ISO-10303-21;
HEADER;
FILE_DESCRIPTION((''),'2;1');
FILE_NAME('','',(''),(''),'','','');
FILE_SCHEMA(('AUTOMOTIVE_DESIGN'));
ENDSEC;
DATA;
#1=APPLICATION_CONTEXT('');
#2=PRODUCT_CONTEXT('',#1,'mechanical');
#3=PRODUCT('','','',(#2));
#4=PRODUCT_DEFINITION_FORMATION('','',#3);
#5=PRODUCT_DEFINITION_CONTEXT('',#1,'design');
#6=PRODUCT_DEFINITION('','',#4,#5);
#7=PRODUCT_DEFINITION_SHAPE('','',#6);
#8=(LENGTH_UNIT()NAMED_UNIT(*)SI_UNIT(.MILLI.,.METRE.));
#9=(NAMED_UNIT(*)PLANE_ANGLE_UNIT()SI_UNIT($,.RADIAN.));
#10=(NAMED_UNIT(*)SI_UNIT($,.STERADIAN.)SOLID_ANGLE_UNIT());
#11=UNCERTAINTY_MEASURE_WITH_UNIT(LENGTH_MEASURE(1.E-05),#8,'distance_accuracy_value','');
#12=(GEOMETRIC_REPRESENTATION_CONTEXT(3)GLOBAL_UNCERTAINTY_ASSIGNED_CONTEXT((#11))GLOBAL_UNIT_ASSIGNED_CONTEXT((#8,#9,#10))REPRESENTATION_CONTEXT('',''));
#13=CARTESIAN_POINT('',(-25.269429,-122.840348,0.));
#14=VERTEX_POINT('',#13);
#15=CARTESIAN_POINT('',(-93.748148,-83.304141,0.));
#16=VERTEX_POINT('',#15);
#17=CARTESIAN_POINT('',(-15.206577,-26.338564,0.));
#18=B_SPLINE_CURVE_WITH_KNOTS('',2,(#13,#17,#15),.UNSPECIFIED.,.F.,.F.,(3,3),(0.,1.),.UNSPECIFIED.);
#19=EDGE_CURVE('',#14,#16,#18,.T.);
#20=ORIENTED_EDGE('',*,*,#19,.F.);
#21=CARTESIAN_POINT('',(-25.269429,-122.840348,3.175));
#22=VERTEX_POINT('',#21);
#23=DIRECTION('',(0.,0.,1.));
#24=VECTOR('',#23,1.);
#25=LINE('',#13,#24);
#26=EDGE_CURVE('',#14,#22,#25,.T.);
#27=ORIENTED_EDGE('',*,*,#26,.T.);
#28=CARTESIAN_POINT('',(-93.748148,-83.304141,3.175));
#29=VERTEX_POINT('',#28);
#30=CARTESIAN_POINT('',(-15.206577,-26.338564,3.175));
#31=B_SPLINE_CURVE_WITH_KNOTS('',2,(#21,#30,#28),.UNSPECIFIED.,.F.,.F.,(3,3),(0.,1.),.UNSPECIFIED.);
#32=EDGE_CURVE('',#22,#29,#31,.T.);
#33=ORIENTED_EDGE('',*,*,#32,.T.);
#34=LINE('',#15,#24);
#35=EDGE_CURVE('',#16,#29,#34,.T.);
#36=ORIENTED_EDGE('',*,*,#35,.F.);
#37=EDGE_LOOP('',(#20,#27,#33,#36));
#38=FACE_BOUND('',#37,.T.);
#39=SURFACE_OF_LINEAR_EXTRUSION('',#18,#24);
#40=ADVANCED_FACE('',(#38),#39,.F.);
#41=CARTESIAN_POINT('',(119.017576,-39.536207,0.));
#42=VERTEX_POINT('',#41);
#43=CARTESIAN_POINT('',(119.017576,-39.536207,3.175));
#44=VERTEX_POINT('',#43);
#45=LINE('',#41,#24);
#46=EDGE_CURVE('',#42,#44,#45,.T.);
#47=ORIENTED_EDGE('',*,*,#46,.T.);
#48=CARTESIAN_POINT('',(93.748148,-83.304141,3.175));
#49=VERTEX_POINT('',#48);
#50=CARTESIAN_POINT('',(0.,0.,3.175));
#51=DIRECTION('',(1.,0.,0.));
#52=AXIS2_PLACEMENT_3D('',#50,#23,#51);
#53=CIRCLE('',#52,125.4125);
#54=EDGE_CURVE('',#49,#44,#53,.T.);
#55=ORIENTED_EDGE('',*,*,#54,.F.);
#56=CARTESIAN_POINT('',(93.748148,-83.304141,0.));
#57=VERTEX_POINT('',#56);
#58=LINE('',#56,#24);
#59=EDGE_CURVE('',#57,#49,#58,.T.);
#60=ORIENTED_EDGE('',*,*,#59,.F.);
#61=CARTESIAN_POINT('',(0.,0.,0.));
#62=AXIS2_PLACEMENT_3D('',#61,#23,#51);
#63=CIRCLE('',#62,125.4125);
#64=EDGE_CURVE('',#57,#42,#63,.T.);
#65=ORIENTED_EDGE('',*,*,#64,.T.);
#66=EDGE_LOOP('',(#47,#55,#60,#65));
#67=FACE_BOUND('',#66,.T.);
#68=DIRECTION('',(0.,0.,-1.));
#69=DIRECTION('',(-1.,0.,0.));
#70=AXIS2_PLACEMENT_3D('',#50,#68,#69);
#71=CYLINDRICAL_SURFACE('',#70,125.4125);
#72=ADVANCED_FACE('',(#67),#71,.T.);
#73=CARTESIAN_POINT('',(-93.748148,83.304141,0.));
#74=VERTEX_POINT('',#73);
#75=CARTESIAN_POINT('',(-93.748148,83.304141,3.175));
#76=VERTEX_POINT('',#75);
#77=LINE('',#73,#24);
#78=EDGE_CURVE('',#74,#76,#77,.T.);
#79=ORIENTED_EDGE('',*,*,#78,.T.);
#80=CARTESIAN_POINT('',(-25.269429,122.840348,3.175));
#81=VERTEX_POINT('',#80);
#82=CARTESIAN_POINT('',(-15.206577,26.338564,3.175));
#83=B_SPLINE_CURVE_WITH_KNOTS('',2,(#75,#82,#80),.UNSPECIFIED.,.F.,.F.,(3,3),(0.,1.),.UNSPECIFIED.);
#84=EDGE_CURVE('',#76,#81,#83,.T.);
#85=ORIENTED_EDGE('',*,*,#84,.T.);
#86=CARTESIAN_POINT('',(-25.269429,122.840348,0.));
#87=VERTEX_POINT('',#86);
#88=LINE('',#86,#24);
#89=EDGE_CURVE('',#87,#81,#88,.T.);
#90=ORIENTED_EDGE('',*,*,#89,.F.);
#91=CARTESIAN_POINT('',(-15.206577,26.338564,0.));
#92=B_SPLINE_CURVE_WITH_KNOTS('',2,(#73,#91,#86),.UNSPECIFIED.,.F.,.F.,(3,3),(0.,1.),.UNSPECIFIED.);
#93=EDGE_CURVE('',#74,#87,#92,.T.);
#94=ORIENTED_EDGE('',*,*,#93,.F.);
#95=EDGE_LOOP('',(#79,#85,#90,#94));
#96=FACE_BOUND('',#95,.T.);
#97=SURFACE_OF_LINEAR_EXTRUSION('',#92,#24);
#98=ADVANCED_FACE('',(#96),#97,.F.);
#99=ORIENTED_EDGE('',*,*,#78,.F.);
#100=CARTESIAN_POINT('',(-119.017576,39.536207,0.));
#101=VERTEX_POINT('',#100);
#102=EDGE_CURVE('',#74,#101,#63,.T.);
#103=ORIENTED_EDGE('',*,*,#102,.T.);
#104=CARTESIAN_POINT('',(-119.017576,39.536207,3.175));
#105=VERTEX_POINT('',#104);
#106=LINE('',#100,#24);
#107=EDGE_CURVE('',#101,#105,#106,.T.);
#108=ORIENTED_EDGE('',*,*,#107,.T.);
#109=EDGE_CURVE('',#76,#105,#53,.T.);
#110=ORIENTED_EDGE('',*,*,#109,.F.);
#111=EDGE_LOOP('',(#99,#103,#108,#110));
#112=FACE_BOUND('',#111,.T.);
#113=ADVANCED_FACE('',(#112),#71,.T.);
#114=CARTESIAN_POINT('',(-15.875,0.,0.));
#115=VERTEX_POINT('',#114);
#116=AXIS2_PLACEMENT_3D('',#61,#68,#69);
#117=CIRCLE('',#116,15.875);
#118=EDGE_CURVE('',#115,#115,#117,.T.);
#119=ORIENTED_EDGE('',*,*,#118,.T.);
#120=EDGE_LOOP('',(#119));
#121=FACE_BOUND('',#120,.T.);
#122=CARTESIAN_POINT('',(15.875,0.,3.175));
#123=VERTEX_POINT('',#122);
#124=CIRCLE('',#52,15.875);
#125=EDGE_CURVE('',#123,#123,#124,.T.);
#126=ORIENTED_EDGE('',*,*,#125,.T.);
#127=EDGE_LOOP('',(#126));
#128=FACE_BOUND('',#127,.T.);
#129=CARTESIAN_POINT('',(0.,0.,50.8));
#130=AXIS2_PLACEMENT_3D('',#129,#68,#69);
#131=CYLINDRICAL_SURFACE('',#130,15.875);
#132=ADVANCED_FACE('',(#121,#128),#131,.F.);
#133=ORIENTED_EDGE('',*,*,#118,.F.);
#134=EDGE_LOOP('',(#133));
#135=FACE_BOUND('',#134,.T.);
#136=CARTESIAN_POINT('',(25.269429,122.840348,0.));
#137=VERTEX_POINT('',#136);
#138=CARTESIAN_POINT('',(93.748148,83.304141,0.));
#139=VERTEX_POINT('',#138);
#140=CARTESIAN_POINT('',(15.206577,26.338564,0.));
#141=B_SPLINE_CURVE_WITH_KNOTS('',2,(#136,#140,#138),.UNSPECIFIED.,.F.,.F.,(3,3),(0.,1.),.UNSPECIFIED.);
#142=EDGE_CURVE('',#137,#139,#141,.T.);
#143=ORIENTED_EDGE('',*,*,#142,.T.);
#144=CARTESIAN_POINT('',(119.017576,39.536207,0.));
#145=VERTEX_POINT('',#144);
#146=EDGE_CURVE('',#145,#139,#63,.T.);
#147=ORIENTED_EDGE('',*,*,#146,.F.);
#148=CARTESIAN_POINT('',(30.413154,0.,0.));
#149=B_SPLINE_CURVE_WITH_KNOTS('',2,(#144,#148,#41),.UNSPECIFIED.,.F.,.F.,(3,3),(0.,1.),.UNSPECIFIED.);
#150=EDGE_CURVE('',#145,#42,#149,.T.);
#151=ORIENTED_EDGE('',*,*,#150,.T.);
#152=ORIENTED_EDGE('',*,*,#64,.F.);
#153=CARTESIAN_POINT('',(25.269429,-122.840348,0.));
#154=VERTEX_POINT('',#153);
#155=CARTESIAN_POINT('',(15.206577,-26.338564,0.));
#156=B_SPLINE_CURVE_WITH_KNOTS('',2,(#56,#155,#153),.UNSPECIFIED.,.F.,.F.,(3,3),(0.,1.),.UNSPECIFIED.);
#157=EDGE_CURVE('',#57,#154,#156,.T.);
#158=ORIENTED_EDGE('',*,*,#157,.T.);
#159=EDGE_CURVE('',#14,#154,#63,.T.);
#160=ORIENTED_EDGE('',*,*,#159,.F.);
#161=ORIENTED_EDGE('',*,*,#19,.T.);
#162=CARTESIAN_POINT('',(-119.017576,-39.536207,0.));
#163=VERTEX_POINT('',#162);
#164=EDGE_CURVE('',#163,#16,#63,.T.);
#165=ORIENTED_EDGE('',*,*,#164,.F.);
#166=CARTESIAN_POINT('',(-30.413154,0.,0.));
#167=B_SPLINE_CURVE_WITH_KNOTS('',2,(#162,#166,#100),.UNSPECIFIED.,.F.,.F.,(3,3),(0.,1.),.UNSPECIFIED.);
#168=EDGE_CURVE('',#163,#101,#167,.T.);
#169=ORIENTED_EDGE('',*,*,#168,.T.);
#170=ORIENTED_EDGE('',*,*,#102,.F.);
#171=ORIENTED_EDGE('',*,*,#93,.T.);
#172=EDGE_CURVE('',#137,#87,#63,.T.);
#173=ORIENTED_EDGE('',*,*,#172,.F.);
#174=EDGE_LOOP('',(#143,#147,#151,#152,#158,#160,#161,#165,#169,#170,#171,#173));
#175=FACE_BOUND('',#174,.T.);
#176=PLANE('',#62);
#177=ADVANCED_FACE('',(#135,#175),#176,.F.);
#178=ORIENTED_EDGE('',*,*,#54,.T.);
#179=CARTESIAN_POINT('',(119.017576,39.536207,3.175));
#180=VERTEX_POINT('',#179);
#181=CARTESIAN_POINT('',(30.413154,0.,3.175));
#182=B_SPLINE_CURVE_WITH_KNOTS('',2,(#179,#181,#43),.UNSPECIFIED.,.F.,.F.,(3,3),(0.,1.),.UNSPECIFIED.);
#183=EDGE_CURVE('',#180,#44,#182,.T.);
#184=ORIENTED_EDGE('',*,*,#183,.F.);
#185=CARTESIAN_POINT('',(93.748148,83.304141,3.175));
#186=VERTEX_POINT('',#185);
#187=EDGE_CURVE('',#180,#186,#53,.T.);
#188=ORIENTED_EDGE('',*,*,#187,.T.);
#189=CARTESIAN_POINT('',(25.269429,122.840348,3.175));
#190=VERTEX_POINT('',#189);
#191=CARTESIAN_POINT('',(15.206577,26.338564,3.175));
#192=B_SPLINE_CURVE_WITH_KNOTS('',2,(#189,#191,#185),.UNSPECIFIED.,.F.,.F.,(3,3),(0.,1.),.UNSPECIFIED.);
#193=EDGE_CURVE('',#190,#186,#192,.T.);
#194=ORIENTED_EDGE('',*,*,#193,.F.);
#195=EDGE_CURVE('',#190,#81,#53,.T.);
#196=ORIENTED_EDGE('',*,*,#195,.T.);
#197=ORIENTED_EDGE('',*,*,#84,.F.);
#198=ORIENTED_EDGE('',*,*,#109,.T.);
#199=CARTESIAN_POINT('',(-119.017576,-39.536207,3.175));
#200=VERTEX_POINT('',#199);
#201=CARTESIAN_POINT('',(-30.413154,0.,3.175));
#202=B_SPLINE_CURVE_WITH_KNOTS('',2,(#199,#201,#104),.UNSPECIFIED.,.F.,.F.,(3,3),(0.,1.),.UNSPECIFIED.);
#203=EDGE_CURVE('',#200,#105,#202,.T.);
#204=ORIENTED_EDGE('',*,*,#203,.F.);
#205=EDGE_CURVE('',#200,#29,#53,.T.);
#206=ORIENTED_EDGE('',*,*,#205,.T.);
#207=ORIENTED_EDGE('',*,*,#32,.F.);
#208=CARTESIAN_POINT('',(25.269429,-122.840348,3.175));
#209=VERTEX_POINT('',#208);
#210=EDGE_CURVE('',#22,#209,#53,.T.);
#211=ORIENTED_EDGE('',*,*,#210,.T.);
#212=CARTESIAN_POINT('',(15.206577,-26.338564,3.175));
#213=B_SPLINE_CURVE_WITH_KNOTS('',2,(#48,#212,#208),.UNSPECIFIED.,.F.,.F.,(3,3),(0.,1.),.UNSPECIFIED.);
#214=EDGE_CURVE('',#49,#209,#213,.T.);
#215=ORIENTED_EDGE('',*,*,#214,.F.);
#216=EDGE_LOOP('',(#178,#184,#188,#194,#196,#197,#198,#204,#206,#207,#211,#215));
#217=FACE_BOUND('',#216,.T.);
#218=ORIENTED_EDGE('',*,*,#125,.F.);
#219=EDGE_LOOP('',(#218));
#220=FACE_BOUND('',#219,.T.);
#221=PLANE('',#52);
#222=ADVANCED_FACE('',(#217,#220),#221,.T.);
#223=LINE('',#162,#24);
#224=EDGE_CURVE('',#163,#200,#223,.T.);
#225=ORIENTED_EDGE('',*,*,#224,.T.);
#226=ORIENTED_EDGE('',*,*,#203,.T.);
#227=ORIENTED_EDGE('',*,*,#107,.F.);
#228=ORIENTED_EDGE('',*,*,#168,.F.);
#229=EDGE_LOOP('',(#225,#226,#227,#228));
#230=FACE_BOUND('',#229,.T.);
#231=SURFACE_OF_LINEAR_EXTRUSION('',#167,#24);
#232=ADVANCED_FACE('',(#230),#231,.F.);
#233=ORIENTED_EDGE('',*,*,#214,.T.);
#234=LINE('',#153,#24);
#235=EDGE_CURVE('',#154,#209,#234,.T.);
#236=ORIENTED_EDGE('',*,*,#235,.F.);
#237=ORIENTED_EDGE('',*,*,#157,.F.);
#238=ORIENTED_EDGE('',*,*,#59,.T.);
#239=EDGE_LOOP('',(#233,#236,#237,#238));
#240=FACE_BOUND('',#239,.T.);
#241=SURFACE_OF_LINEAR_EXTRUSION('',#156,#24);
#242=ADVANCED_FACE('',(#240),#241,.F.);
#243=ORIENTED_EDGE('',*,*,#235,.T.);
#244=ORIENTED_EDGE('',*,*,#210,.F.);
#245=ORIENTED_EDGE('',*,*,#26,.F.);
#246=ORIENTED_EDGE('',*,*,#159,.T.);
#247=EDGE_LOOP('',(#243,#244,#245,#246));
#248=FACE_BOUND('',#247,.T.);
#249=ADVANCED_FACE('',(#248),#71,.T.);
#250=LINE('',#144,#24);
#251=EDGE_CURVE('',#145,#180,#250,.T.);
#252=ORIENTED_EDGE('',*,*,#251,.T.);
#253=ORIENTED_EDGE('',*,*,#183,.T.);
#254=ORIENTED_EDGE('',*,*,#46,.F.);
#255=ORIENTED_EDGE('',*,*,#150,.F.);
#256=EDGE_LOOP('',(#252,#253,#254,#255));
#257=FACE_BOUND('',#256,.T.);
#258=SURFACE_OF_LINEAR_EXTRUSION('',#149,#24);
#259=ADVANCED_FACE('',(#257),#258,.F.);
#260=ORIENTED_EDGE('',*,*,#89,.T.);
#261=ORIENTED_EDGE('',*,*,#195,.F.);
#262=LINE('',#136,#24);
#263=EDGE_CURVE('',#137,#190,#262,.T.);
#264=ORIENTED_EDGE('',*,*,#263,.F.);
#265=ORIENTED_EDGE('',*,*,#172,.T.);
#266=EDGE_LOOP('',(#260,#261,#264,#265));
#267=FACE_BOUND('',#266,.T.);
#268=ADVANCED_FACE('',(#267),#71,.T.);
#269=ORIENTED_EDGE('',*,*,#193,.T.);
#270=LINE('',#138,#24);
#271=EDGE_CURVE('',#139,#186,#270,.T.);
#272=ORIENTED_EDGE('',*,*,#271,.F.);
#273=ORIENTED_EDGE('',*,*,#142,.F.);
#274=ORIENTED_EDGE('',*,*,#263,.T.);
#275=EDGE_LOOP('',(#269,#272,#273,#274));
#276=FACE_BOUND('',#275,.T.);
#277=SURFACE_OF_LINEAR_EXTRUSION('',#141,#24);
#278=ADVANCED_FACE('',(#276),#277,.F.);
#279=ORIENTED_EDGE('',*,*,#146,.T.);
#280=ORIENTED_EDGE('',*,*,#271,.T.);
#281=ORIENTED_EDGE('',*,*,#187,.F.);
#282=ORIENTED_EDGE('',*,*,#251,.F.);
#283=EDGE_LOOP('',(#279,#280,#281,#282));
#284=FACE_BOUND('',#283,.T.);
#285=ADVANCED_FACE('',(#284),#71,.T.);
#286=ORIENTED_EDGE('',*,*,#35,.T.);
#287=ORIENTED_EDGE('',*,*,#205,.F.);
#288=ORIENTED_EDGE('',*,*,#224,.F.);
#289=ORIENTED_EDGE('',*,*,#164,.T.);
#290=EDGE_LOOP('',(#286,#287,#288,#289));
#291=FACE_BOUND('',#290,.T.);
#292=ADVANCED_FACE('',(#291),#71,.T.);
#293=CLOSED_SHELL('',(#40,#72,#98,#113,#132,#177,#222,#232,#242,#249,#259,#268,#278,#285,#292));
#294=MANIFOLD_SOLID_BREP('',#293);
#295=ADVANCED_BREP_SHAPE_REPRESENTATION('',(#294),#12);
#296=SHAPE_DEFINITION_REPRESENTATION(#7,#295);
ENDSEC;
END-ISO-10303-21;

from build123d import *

# Parameters (mm, degrees)
SKETCH1_R           = 125.4125
BOSS_EXTRUDE1_DEPTH = 3.175
CUT_EXTRUDE1_DEPTH  = 4.175
CIRPATTERN1_COUNT   = 6
SKETCH3_R           = 15.875
CUT_EXTRUDE2_DEPTH  = 50.8


with BuildPart() as part:
    # Sketch1 → Boss-Extrude1 (new body)
    with BuildSketch(Plane.XY):
        Circle(SKETCH1_R)
    extrude(amount=BOSS_EXTRUDE1_DEPTH)

    # Sketch2 → Cut-Extrude1 (cut, through all)
    with BuildSketch(Plane.XY.offset(3.175)):
        with BuildLine():
            ThreePointArc((93.748147638, 83.304141377), (62.70625, 108.610410952), (25.269428854, 122.840348101))
            add(Edge.make_bspline(
                [(93.748147638, 83.304141377), (15.206576878, 26.338563761), (25.269428854, 122.840348101)],
                knots=[0, 0, 0, 1, 1, 1], degree=2))
        make_face()
    cut_extrude1 = extrude(amount=-CUT_EXTRUDE1_DEPTH, mode=Mode.SUBTRACT)

    # CirPattern1: Cut-Extrude1 ×6 about axis
    cirpattern1_axis = Axis((0, 0, 3.175), (0, 0, -1))
    for i in range(1, CIRPATTERN1_COUNT):
        add(cut_extrude1.rotate(cirpattern1_axis, i * 360 / CIRPATTERN1_COUNT), mode=Mode.SUBTRACT)

    # Sketch3 → Cut-Extrude2 (cut)
    with BuildSketch(Plane(origin=(0, 0, 0), x_dir=(-1, 0, 0), z_dir=(0, 0, -1))):
        Circle(SKETCH3_R)
    extrude(amount=-CUT_EXTRUDE2_DEPTH, mode=Mode.SUBTRACT)


solid = part.part
